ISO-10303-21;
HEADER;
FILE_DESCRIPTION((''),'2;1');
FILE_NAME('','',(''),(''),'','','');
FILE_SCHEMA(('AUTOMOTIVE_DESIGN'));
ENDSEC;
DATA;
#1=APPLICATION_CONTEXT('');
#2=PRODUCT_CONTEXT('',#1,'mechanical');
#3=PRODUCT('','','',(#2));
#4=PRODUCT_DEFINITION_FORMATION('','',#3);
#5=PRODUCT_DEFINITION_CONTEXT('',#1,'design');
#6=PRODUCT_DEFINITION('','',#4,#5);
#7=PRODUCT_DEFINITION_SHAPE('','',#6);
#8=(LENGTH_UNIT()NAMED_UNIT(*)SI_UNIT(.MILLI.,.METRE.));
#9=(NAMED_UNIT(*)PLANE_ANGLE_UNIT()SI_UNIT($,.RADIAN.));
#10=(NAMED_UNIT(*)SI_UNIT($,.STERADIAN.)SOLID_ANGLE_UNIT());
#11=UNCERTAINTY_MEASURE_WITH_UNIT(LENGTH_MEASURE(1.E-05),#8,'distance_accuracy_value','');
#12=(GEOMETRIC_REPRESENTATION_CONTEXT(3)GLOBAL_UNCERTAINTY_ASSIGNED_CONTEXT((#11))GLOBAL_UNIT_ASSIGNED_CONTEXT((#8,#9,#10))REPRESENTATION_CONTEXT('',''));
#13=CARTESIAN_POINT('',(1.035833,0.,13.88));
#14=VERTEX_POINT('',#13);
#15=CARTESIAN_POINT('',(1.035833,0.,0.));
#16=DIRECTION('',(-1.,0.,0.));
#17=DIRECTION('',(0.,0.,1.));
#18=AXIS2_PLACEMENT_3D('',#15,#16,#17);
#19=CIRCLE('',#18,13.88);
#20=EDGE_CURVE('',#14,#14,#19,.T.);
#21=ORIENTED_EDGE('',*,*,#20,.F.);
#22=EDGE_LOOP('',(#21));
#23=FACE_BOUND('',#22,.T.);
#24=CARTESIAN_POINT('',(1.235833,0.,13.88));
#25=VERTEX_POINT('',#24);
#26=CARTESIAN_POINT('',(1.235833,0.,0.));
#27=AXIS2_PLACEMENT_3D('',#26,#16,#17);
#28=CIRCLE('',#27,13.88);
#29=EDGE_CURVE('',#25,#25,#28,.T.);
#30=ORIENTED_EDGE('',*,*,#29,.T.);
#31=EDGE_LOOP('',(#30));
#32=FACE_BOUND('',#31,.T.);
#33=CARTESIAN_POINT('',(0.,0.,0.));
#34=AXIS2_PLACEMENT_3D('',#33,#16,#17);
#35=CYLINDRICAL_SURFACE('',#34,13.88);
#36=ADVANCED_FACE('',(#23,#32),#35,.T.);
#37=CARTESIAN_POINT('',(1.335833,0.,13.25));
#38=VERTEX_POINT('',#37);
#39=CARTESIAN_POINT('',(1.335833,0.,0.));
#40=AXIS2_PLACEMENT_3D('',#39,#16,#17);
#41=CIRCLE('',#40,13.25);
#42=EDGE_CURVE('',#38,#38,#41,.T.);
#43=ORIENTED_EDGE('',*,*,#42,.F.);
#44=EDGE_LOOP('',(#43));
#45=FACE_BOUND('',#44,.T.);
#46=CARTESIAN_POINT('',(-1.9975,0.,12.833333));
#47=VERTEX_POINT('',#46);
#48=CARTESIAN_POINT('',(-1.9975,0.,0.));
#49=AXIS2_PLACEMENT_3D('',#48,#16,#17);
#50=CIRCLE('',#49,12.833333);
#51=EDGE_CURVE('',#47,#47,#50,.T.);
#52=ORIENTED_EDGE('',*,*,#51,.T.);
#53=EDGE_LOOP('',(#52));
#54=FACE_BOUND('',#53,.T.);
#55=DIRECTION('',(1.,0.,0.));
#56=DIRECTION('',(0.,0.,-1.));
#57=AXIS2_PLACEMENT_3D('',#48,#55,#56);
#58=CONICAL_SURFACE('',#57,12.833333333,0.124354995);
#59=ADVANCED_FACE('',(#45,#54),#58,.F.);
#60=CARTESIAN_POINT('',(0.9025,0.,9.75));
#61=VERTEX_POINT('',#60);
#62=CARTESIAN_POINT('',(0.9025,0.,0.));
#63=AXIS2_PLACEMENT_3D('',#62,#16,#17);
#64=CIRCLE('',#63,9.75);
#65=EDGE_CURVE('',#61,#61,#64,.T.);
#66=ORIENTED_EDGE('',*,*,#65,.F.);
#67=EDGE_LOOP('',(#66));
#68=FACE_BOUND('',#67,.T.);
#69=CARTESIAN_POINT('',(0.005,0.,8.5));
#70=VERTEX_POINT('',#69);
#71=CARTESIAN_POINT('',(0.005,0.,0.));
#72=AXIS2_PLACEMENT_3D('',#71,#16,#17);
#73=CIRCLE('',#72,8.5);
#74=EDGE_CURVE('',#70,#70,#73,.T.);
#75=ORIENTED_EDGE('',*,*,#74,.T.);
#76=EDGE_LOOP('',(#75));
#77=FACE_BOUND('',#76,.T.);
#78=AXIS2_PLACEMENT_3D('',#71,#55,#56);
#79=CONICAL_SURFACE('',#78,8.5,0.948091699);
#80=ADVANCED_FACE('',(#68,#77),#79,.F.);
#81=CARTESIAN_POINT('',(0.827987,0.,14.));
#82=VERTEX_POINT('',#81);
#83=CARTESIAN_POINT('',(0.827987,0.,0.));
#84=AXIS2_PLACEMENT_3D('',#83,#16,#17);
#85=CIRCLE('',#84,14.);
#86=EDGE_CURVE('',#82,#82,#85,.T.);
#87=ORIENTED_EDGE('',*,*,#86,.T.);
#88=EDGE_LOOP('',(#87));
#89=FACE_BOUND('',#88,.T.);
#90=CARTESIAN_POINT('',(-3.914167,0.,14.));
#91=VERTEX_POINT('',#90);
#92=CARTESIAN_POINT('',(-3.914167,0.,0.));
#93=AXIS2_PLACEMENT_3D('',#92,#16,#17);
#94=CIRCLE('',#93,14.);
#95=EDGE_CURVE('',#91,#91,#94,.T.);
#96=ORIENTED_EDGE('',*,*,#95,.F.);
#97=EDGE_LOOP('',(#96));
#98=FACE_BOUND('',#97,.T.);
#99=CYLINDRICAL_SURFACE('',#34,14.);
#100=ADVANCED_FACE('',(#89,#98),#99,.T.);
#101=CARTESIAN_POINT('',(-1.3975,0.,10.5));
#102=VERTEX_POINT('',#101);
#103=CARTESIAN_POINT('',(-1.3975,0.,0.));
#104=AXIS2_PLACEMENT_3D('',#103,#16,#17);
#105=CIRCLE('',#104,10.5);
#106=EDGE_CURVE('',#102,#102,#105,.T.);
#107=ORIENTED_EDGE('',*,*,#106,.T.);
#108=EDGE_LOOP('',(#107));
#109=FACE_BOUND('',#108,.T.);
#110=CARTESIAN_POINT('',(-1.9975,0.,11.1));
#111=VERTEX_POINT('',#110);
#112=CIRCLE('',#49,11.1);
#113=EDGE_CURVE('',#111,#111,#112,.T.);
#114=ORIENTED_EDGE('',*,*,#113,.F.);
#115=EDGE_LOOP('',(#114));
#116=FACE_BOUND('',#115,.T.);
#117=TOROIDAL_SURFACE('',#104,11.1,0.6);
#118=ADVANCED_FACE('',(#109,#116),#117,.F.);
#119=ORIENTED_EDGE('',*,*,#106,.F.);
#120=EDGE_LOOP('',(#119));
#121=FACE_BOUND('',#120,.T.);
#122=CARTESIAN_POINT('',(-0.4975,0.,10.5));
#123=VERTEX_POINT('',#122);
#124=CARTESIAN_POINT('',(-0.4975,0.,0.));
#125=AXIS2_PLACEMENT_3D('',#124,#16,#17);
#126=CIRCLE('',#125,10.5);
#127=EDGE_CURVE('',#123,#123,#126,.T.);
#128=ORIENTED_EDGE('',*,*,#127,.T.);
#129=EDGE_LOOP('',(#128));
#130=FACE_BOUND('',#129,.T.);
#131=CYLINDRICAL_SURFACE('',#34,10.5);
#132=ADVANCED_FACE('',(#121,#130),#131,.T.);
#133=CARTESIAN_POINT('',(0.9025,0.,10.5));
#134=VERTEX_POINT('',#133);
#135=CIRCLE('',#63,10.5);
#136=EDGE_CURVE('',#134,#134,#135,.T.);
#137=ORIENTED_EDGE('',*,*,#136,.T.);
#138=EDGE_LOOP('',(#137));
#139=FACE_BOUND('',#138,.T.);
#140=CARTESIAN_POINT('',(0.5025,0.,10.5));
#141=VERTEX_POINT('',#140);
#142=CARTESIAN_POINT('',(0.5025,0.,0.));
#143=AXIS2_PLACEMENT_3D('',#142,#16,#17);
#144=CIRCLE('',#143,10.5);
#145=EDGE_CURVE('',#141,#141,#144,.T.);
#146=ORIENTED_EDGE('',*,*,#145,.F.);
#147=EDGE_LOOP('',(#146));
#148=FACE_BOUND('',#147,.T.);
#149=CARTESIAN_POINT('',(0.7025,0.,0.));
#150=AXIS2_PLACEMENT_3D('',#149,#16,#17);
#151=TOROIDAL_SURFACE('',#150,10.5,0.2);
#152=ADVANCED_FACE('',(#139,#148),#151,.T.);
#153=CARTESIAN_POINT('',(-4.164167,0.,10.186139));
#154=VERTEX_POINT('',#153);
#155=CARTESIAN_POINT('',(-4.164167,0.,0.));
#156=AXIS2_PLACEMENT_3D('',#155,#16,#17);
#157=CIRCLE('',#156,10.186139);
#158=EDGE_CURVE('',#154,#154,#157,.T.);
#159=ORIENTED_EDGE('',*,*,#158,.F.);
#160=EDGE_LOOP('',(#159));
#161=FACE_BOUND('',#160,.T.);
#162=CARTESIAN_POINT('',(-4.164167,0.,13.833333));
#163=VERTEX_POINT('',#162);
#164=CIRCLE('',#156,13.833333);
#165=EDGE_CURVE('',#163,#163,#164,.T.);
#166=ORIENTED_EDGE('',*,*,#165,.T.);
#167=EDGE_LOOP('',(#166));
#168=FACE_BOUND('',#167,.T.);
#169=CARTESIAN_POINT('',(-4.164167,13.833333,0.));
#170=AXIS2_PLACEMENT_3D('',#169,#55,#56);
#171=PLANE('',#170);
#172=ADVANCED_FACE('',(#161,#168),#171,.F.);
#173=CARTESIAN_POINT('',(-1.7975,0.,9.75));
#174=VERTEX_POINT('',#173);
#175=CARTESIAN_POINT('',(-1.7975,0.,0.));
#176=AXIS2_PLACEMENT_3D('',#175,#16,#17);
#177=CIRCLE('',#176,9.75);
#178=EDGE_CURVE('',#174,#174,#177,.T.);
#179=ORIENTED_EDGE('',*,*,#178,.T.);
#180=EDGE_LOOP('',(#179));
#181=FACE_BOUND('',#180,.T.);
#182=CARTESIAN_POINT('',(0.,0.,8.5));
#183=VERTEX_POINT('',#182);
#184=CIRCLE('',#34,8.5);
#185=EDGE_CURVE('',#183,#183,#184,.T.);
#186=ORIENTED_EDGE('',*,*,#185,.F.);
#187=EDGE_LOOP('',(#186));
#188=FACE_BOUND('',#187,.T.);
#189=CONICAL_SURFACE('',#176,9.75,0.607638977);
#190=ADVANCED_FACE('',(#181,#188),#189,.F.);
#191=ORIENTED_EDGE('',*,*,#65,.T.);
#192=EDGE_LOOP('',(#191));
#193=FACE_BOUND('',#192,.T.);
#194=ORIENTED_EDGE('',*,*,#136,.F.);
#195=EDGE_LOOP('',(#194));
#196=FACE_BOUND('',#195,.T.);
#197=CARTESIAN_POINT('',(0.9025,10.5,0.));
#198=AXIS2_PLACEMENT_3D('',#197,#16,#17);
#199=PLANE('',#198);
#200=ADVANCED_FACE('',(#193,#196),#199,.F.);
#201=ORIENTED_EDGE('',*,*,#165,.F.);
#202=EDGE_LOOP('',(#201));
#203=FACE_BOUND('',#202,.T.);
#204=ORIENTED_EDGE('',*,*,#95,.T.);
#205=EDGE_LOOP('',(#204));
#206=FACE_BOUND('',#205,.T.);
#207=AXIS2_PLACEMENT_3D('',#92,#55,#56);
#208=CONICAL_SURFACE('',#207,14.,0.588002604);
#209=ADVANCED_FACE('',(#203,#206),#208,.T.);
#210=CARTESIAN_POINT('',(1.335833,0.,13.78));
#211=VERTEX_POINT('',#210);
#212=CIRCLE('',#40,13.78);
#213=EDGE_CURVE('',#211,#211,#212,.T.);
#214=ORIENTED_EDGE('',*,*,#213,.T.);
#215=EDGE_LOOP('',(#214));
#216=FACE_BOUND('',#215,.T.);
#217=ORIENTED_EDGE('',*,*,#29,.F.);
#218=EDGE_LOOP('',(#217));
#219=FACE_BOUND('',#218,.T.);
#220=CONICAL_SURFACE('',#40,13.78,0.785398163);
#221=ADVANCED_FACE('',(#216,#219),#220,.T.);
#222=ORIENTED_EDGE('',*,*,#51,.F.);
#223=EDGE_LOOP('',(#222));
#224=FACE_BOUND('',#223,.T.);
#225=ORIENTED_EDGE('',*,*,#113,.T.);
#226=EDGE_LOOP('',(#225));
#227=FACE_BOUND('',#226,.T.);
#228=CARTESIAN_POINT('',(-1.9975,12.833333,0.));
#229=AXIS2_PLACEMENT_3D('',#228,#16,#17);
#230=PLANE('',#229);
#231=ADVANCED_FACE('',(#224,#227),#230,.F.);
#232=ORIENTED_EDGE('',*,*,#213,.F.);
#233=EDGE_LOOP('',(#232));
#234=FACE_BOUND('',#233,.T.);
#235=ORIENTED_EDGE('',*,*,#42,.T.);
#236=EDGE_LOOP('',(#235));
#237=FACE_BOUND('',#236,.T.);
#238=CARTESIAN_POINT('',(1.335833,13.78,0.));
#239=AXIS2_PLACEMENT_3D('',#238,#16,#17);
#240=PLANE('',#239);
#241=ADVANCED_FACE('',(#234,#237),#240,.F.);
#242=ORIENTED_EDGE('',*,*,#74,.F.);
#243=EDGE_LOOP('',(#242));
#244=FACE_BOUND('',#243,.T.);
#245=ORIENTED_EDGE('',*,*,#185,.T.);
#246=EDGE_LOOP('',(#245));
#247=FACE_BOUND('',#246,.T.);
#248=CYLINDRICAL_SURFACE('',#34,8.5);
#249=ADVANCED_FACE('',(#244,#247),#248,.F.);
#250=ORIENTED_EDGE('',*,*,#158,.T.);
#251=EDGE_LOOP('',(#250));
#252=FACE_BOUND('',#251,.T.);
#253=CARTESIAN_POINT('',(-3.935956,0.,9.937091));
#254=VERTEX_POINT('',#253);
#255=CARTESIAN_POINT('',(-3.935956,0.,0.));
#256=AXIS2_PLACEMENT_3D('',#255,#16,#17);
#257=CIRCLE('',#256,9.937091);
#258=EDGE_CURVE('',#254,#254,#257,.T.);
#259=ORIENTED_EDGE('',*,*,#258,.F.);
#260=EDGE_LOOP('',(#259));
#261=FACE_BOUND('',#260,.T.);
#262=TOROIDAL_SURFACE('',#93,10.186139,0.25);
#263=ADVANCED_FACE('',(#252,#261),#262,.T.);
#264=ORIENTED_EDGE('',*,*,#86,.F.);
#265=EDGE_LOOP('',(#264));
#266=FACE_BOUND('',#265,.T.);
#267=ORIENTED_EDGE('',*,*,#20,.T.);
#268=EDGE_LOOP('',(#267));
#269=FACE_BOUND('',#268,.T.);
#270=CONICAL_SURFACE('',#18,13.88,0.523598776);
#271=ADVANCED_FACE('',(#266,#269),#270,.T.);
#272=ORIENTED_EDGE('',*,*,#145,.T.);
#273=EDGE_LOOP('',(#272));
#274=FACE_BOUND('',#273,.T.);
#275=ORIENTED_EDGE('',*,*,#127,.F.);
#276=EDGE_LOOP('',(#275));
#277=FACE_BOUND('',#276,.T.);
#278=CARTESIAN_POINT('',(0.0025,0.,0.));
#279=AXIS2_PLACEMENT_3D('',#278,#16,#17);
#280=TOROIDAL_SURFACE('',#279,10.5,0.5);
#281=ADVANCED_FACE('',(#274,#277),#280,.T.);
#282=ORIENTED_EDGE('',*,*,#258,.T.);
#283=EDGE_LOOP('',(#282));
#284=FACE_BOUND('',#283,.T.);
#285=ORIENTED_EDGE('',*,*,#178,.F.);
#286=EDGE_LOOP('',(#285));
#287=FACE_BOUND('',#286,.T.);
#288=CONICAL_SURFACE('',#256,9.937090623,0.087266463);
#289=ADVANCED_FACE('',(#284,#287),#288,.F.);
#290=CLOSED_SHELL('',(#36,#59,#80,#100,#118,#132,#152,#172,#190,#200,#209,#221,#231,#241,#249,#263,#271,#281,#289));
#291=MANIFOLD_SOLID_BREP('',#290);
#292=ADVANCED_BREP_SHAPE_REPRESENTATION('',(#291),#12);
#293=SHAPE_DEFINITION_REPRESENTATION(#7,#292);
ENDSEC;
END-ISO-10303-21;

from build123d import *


with BuildPart() as part:
    # Sketch1 → Revolve2 (revolve)
    with BuildSketch(Plane.XY, mode=Mode.PRIVATE) as revolve2_sk:
        with BuildLine():
            Line((0.9025, 10.5), (0.9025, 9.75))
            Line((0.9025, 9.75), (0.005, 8.5))
            Line((0.005, 8.5), (0, 8.5))
            Line((0, 8.5), (-1.7975, 9.75))
            Line((-1.7975, 9.75), (-3.935955602, 9.937090623))
            ThreePointArc((-3.935955602, 9.937090623), (-4.098486001, 10.017241745), (-4.164166667, 10.186139297))
            Line((-4.164166667, 10.186139297), (-4.164166667, 13.833333333))
            Line((-4.164166667, 13.833333333), (-3.914166667, 14))
            Line((-3.914166667, 14), (0.827987236, 14))
            Line((0.827987236, 14), (1.035833333, 13.88))
            Line((1.035833333, 13.88), (1.235833333, 13.88))
            Line((1.235833333, 13.88), (1.335833333, 13.78))
            Line((1.335833333, 13.78), (1.335833333, 13.25))
            Line((1.335833333, 13.25), (-1.9975, 12.833333333))
            Line((-1.9975, 12.833333333), (-1.9975, 11.1))
            ThreePointArc((-1.9975, 11.1), (-1.821764069, 10.675735931), (-1.3975, 10.5))
            Line((-1.3975, 10.5), (-0.4975, 10.5))
            ThreePointArc((-0.4975, 10.5), (0.0025, 11), (0.5025, 10.5))
            ThreePointArc((0.5025, 10.5), (0.7025, 10.7), (0.9025, 10.5))
        make_face()
    revolve(revolve2_sk.sketch.rotate(Axis((0, 0, 0), (1, 0, 0)), 90), axis=Axis((0, 0, 0), (1, 0, 0)))


solid = part.part
